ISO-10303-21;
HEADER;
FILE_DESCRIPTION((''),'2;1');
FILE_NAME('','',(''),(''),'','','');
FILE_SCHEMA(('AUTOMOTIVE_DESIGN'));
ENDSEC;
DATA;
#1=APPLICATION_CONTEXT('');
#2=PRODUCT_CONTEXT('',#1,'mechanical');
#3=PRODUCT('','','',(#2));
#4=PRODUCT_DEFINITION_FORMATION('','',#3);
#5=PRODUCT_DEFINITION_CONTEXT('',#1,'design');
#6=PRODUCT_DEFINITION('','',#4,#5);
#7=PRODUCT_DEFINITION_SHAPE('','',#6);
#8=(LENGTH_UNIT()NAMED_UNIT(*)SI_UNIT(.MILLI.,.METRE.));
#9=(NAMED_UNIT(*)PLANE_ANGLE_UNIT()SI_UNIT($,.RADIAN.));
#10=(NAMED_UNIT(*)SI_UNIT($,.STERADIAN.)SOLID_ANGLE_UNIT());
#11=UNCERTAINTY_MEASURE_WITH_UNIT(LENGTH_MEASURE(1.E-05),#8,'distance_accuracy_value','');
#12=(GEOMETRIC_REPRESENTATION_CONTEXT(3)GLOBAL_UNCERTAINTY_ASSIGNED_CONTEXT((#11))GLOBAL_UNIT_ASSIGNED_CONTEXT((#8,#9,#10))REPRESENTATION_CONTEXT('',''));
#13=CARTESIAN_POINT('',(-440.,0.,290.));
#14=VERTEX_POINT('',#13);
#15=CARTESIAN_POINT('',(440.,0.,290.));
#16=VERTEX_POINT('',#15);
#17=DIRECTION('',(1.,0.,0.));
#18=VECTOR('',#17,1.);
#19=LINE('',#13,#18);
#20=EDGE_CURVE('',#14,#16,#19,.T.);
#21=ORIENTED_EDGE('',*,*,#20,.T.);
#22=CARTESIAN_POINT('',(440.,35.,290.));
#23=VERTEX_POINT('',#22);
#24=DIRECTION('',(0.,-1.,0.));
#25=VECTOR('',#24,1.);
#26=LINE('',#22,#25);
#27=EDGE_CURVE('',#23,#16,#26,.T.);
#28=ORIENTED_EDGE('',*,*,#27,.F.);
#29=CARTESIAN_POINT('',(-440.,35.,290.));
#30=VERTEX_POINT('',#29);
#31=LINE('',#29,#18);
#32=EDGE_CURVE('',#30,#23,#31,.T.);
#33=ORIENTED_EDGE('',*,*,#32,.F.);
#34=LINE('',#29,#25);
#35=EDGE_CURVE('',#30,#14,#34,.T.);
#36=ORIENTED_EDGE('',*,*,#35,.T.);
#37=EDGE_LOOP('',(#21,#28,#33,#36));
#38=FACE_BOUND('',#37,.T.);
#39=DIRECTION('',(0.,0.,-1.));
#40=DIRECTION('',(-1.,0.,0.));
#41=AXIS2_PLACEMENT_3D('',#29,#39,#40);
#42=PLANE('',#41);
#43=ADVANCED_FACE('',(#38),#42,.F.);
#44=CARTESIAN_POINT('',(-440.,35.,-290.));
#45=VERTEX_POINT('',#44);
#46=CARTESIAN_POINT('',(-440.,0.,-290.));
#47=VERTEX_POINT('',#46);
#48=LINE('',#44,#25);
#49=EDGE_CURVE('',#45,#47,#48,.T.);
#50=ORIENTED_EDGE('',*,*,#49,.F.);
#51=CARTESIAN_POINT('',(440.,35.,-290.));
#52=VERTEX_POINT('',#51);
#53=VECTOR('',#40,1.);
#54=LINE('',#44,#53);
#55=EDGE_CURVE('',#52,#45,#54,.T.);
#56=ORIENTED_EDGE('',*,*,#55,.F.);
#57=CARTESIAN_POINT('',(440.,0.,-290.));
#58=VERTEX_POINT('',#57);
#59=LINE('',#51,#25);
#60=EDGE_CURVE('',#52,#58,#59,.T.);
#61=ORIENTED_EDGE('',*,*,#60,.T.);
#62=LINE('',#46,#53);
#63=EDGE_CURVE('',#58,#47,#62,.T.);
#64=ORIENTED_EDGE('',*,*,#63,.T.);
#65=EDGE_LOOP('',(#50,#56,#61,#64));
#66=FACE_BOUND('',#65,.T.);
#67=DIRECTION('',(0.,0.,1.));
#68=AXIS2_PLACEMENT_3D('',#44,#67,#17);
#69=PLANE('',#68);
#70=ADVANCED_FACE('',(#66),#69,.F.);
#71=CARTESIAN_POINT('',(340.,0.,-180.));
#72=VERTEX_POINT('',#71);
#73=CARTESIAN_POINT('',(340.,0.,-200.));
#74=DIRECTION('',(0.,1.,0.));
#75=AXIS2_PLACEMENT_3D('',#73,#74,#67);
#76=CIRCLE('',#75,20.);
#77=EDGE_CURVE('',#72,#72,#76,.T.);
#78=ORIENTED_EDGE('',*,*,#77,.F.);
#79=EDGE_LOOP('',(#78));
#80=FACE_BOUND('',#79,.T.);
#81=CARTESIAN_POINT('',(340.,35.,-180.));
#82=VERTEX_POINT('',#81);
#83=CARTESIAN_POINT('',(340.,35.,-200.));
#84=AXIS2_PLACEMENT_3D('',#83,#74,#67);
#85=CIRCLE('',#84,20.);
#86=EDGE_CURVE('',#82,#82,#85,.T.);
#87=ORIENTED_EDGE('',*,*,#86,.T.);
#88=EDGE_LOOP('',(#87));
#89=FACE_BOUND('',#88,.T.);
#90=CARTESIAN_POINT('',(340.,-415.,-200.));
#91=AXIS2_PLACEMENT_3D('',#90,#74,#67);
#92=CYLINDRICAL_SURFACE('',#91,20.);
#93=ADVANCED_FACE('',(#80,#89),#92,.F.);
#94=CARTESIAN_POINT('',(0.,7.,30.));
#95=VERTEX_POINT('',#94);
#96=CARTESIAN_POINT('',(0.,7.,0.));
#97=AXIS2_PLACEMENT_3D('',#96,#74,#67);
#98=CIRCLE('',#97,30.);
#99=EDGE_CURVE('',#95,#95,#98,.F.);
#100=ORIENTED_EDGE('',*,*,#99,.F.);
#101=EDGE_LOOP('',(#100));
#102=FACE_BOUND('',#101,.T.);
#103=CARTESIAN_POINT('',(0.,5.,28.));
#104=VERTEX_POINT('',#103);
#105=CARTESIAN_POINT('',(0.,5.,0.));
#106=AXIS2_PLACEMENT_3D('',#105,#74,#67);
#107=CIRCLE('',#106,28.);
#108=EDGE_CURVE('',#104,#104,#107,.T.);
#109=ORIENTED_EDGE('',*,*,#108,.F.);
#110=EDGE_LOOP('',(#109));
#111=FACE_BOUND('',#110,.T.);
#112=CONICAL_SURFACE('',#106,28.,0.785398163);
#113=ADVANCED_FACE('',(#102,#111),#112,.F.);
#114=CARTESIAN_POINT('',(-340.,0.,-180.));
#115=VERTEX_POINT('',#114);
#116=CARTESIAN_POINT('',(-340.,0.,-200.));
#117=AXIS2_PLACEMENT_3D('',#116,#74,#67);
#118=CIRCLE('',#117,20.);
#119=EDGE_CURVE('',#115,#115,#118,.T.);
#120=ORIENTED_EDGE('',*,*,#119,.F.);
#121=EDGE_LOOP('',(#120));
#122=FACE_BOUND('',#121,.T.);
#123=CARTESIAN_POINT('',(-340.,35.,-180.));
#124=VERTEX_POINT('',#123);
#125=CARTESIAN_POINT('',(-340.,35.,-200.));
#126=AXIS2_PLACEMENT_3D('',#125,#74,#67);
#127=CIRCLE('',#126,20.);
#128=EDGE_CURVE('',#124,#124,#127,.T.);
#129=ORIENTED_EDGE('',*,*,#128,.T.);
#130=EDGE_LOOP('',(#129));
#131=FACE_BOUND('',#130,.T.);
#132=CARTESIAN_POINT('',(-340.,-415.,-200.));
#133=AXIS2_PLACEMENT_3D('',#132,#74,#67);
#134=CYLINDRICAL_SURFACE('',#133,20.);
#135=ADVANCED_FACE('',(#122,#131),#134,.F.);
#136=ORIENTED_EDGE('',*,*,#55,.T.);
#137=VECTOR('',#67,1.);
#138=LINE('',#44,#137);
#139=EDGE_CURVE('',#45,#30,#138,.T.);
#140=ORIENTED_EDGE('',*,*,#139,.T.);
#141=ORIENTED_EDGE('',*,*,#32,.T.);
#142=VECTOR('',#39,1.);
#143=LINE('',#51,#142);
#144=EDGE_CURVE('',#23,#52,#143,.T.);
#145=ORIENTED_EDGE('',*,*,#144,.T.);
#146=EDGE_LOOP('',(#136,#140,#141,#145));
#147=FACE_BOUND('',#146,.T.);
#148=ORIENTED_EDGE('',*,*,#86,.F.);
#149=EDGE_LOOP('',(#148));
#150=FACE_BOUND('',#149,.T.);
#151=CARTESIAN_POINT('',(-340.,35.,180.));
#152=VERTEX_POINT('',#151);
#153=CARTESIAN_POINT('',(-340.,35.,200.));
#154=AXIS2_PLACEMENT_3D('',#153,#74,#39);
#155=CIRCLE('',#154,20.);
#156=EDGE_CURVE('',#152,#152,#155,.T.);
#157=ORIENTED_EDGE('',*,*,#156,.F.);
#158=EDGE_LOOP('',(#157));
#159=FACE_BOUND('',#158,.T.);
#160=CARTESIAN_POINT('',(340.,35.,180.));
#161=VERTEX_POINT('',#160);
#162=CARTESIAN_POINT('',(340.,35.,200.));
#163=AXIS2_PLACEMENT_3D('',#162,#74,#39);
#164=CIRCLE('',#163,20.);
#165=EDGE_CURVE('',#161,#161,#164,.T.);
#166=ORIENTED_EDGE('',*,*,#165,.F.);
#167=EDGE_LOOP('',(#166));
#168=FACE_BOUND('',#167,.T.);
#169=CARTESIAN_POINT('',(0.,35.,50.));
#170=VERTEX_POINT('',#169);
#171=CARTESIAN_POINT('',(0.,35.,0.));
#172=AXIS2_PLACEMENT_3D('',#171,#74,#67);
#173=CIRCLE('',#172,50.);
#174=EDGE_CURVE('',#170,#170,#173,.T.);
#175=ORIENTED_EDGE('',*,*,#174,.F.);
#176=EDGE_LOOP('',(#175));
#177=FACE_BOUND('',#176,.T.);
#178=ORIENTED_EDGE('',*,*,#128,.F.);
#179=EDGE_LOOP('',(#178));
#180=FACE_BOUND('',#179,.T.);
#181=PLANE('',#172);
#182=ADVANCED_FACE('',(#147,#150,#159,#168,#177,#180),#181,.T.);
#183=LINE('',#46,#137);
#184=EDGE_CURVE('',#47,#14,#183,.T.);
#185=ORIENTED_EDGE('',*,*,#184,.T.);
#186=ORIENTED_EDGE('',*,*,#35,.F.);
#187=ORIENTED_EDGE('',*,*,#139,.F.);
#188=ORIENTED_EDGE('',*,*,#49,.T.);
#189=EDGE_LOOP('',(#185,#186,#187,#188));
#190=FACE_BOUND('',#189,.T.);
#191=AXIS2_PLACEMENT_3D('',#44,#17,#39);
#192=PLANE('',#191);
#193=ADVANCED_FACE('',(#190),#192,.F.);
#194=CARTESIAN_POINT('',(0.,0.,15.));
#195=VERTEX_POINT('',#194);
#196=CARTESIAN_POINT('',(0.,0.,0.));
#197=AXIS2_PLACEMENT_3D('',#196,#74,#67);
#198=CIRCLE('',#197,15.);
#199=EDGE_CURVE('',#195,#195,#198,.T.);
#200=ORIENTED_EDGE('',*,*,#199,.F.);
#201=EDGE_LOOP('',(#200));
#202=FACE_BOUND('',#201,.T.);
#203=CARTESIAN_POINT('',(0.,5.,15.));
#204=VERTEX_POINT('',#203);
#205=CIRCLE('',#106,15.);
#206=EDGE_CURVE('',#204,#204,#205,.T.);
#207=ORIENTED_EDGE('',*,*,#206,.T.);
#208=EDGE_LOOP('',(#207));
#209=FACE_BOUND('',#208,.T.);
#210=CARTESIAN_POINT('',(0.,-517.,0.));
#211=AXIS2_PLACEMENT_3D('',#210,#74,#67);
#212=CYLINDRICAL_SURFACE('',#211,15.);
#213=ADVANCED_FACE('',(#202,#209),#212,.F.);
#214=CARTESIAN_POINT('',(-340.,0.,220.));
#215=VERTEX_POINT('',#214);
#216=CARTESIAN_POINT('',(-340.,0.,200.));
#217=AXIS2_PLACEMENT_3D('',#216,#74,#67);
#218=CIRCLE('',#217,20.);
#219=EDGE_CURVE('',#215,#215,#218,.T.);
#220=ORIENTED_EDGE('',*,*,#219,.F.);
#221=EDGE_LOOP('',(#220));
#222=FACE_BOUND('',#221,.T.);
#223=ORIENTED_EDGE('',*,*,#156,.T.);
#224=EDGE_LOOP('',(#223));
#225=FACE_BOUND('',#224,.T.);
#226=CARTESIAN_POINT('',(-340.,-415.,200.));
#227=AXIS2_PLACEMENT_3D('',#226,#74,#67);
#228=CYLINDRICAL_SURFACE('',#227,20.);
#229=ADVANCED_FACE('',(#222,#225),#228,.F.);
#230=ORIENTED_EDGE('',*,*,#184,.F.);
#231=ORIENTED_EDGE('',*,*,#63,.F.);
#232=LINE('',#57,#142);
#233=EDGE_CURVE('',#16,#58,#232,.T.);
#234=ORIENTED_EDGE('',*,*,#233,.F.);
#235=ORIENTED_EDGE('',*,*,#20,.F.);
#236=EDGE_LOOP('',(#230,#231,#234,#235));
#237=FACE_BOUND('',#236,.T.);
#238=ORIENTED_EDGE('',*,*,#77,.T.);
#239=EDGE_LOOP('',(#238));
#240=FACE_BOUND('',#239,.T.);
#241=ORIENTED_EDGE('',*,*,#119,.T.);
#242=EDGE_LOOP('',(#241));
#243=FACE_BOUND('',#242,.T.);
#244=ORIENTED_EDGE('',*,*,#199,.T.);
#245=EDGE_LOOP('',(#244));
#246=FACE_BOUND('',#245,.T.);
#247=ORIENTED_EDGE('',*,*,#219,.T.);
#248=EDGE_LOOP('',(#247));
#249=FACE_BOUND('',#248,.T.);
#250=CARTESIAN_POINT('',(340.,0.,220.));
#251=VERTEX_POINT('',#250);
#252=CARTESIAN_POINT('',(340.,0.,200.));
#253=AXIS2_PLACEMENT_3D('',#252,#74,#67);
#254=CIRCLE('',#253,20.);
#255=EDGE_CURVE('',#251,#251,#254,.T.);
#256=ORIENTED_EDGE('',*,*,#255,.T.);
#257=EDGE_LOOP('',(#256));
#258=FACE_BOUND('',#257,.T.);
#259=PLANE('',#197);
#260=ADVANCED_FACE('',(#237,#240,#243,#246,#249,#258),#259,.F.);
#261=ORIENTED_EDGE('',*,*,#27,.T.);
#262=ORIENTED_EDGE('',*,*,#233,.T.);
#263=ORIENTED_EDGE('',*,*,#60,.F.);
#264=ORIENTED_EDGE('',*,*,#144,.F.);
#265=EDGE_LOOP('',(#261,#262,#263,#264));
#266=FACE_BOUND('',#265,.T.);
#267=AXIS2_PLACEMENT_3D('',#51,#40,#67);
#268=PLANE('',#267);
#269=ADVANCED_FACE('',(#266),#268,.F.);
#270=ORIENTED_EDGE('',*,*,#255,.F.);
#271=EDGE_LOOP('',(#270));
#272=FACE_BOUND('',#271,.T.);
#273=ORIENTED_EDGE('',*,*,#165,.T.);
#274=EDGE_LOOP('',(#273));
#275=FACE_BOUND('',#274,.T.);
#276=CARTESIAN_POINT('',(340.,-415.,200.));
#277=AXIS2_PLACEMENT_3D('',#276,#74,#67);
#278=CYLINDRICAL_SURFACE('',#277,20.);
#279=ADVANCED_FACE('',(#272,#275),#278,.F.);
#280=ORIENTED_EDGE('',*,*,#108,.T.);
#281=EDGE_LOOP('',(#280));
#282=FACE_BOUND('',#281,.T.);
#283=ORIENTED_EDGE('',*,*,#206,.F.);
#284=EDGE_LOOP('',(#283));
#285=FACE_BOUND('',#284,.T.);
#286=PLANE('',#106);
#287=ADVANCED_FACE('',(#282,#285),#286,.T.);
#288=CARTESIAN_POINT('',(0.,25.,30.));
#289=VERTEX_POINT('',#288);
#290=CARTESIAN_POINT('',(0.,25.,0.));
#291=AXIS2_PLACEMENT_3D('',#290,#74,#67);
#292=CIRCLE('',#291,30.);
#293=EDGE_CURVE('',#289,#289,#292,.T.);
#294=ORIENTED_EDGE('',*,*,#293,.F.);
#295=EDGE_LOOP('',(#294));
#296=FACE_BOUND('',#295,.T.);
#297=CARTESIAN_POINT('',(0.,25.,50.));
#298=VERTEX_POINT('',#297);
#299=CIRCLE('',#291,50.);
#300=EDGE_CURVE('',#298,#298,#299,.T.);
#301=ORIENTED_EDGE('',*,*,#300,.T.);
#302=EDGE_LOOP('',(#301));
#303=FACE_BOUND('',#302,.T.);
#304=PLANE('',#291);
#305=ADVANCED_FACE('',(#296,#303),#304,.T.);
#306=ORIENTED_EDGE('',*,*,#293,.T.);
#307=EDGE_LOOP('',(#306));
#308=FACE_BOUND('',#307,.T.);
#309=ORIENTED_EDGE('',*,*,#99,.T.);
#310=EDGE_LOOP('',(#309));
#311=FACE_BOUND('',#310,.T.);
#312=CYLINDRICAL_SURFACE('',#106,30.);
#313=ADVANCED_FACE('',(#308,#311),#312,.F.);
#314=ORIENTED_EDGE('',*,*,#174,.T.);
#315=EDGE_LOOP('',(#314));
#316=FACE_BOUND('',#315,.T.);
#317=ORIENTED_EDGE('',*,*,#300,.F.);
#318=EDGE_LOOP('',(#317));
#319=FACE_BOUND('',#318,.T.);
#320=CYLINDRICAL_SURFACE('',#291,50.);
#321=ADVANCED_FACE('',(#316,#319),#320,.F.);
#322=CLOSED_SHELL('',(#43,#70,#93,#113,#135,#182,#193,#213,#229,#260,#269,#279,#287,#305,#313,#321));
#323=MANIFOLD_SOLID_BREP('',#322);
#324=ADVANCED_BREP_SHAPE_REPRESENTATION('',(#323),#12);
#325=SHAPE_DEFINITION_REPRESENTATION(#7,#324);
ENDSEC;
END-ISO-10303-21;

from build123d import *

# Parameters (mm, degrees)
SKETCH1_W           = 880
SKETCH1_H           = 580
BOSS_EXTRUDE1_DEPTH = 35
SKETCH2_R           = 50
CUT_EXTRUDE1_DEPTH  = 10
SKETCH3_R           = 30
CUT_EXTRUDE2_DEPTH  = 20
SKETCH4_R           = 15
CUT_EXTRUDE3_DEPTH  = 522
CHAMFER1_SIZE       = 2
SKETCH5_R           = 20
CUT_EXTRUDE4_DEPTH  = 450


with BuildPart() as part:
    # Sketch1 → Boss-Extrude1 (new body)
    with BuildSketch(Plane(origin=(0, 0, 0), x_dir=(1, 0, 0), z_dir=(0, 1, 0))):
        Rectangle(SKETCH1_W, SKETCH1_H)
    extrude(amount=BOSS_EXTRUDE1_DEPTH)

    # Sketch2 → Cut-Extrude1 (cut)
    with BuildSketch(Plane(origin=(0, 35, 0), x_dir=(1, 0, 0), z_dir=(0, 1, 0))):
        with Locations(Location((0, 0, 0), (0, 0, 270))):
            Circle(SKETCH2_R)
    extrude(amount=-CUT_EXTRUDE1_DEPTH, mode=Mode.SUBTRACT)

    # Sketch3 → Cut-Extrude2 (cut)
    with BuildSketch(Plane(origin=(0, 25, 0), x_dir=(1, 0, 0), z_dir=(0, 1, 0))):
        with Locations(Location((0, 0, 0), (0, 0, 270))):
            Circle(SKETCH3_R)
    extrude(amount=-CUT_EXTRUDE2_DEPTH, mode=Mode.SUBTRACT)

    # Sketch4 → Cut-Extrude3 (cut)
    with BuildSketch(Plane(origin=(0, 5, 0), x_dir=(1, 0, 0), z_dir=(0, 1, 0))):
        with Locations(Location((0, 0, 0), (0, 0, 270))):
            Circle(SKETCH4_R)
    extrude(amount=-CUT_EXTRUDE3_DEPTH, mode=Mode.SUBTRACT)

    # Chamfer1
    chamfer1_edges = [part.edges().sort_by_distance(p)[0] for p in [
        (0, 5, -30),
    ]]
    chamfer(chamfer1_edges, length=CHAMFER1_SIZE)

    # Sketch5 → Cut-Extrude4 (cut)
    with BuildSketch(Plane(origin=(0, 35, 0), x_dir=(1, 0, 0), z_dir=(0, 1, 0))):
        with Locations(Location((-340, 200, 0), (0, 0, 270))):
            Circle(SKETCH5_R)
        with Locations(Location((340, 200, 0), (0, 0, 270))):
            Circle(SKETCH5_R)
        with Locations(Location((340, -200, 0), (0, 0, 270))):
            Circle(SKETCH5_R)
        with Locations(Location((-340, -200, 0), (0, 0, 270))):
            Circle(SKETCH5_R)
    extrude(amount=-CUT_EXTRUDE4_DEPTH, mode=Mode.SUBTRACT)


solid = part.part
